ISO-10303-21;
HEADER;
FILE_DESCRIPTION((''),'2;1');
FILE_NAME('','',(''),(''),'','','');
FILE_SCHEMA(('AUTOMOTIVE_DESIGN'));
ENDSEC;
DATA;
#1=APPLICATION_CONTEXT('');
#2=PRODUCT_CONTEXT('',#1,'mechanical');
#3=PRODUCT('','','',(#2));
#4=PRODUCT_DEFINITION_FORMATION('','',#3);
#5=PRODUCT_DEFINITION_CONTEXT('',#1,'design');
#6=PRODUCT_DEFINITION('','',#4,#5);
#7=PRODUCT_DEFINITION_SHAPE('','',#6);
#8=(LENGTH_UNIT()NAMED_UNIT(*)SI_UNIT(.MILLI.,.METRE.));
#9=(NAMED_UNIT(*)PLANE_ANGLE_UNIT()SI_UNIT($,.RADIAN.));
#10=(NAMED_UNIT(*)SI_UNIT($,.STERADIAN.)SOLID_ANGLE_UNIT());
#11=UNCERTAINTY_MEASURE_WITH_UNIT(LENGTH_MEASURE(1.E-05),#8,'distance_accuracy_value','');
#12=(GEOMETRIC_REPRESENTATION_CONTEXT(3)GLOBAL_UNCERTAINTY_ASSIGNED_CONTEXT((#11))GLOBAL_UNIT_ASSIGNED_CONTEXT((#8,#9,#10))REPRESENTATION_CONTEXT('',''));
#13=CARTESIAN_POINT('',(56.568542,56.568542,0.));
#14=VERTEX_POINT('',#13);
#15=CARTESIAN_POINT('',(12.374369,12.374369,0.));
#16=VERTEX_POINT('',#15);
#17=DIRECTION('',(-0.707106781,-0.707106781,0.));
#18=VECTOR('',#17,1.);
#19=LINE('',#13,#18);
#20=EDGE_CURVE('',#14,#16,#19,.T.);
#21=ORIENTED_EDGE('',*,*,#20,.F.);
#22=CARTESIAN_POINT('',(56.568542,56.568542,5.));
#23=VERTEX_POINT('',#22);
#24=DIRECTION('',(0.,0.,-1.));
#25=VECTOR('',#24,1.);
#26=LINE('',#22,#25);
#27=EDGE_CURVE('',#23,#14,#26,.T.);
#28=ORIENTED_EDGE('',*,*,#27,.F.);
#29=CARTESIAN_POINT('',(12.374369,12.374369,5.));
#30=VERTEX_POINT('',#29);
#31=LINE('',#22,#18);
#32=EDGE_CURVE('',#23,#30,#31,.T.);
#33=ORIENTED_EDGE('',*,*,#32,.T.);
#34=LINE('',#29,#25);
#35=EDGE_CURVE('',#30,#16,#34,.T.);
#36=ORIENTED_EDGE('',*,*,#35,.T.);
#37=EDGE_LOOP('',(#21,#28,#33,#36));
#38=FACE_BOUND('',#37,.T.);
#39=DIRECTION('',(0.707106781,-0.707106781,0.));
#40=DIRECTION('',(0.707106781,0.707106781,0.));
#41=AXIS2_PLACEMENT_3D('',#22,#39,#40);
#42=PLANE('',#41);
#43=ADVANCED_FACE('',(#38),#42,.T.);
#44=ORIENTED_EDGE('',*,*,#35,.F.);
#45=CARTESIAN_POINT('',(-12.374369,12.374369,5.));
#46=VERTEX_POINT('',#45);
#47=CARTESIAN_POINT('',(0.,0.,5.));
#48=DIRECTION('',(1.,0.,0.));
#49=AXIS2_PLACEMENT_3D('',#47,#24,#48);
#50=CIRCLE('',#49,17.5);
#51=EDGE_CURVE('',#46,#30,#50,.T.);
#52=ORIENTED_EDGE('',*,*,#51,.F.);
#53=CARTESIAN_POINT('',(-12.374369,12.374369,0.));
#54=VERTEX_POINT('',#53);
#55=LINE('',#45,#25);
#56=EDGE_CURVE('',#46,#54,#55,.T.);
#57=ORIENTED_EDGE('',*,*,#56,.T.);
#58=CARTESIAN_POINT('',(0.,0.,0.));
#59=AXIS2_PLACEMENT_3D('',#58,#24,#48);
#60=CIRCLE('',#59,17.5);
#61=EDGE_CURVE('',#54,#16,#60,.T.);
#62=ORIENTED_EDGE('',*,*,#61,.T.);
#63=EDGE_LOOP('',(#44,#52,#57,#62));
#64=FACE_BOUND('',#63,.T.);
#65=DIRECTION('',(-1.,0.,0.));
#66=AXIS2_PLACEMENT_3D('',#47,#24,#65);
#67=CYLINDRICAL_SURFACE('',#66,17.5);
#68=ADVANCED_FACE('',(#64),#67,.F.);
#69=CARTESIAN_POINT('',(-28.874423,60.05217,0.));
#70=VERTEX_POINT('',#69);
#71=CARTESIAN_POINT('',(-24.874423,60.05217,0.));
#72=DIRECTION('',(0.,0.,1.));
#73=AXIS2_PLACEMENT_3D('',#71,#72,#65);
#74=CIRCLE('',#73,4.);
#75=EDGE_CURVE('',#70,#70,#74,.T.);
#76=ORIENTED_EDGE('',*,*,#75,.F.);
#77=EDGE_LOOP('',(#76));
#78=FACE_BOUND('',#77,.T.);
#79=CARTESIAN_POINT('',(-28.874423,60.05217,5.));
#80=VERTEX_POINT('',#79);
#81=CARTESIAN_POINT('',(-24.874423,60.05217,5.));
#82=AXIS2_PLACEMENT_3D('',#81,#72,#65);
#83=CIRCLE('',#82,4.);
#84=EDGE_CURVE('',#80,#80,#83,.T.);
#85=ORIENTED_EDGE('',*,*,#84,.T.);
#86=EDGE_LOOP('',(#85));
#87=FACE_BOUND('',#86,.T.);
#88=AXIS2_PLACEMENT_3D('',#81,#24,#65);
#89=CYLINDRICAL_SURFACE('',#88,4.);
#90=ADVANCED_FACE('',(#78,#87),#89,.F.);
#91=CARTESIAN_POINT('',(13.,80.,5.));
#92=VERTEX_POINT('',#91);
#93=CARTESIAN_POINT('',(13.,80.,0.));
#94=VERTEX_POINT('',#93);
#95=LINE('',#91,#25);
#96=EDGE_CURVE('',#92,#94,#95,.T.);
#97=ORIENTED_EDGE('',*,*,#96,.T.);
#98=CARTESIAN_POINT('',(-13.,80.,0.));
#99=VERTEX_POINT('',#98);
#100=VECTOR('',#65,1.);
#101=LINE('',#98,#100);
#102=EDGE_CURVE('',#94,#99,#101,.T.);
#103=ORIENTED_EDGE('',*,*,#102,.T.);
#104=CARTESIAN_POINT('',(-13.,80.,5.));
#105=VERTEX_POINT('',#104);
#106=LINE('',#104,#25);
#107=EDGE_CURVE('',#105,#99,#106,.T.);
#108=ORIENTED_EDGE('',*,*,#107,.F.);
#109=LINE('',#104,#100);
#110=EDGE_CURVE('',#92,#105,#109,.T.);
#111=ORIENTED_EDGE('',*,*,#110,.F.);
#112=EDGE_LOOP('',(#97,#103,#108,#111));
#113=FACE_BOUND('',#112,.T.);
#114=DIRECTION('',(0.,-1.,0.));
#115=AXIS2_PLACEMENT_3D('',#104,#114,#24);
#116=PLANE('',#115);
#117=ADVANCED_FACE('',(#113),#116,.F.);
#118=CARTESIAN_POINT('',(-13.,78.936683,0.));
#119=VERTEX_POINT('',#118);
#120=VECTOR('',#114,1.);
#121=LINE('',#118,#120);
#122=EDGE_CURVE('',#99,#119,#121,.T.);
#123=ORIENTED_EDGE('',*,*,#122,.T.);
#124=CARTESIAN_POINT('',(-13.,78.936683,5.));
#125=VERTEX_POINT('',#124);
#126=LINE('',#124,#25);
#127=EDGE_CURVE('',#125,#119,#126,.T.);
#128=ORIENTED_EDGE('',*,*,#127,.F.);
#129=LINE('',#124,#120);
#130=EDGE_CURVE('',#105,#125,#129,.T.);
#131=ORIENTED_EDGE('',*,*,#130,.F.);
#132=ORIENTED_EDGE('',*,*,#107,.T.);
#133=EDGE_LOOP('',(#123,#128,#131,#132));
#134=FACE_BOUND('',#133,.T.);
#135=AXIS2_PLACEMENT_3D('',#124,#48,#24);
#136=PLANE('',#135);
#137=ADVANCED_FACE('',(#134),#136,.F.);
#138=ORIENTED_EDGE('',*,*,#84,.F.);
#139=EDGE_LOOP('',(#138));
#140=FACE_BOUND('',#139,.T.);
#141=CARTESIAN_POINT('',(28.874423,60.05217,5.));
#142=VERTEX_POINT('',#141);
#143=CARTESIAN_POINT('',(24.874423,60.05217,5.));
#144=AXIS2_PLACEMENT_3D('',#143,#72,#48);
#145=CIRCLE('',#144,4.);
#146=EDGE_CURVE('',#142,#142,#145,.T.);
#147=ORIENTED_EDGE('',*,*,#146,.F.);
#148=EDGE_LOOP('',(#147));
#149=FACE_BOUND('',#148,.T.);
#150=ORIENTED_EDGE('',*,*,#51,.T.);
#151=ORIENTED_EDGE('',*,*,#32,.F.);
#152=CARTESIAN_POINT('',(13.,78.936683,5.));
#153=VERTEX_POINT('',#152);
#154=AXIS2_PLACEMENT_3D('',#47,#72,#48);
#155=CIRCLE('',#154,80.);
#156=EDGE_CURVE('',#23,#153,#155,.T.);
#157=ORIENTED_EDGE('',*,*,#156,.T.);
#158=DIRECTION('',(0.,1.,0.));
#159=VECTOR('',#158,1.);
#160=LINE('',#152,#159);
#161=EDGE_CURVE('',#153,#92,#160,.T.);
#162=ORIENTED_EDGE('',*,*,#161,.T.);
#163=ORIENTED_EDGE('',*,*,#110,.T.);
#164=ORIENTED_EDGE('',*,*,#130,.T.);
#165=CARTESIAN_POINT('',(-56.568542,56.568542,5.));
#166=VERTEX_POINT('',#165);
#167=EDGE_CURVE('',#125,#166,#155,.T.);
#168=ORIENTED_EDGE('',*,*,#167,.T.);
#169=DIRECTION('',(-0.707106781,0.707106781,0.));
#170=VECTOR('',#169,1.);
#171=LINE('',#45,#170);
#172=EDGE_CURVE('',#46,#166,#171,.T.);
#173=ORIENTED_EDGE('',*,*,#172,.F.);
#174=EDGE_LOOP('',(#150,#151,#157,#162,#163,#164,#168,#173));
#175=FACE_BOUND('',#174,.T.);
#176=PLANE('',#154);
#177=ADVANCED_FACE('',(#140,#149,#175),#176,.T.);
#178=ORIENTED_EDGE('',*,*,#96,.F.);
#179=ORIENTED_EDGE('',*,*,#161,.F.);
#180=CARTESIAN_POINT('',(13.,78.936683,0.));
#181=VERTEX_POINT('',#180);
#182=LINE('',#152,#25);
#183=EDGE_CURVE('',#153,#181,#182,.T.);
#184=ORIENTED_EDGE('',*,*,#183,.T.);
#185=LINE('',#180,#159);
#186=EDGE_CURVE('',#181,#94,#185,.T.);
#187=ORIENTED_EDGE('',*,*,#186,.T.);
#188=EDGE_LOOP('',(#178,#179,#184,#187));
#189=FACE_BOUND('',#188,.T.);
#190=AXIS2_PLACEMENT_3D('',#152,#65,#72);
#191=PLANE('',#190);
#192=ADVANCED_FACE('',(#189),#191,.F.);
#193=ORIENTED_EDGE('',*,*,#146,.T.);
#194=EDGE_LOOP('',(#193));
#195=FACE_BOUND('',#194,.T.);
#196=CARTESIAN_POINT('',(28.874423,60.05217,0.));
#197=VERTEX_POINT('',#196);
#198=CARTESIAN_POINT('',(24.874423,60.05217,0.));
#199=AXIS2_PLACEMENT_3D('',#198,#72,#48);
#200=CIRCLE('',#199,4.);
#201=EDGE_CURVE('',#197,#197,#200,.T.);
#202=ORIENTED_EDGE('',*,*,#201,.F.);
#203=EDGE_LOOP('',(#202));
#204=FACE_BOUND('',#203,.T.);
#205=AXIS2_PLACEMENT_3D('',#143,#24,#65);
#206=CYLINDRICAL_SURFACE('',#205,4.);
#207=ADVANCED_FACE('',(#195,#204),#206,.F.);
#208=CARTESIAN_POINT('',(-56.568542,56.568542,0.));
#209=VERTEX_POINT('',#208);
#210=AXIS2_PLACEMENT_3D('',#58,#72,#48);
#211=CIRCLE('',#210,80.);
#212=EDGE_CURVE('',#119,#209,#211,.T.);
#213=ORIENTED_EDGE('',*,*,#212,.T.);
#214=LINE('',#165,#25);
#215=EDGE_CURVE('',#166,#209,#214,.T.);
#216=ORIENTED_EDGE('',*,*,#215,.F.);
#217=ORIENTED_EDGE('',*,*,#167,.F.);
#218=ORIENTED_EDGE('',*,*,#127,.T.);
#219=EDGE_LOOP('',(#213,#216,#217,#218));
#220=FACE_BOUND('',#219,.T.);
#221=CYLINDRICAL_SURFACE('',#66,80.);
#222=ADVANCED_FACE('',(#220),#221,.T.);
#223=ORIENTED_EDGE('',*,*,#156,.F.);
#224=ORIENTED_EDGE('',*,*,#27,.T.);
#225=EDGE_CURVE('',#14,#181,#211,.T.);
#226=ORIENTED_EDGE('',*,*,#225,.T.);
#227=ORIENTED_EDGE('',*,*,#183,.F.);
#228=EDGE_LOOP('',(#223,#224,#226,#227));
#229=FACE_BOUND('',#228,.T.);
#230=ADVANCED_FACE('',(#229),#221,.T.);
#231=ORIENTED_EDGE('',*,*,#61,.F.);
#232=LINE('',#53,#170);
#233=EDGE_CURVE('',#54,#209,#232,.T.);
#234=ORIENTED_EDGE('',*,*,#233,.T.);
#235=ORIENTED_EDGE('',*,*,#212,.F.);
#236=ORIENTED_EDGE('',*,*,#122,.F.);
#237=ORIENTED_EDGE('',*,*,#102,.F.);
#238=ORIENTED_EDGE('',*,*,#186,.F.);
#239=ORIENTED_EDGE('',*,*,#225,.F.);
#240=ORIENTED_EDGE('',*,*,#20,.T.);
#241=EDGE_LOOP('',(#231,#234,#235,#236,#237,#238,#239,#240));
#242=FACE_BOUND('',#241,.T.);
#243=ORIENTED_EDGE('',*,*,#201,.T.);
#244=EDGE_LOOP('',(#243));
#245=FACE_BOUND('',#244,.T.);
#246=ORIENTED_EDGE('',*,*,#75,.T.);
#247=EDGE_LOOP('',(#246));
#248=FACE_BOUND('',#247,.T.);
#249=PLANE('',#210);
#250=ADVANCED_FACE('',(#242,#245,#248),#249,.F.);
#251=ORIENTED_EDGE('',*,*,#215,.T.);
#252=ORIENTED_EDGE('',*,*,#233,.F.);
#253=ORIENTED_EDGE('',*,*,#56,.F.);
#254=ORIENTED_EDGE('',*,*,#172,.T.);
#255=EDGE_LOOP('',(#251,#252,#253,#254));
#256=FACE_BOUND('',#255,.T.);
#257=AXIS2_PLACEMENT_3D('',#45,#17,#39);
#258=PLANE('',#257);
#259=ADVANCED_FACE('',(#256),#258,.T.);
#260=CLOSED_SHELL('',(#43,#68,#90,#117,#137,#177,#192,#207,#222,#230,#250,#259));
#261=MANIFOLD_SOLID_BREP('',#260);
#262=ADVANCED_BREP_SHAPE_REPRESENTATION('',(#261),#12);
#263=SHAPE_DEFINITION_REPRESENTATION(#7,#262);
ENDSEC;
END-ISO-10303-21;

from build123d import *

# Parameters (mm, degrees)
SKETCH1_R           = 4
BOSS_EXTRUDE1_DEPTH = 5
CUT_EXTRUDE1_DEPTH  = 114.247516529
SKETCH3_W           = 26
SKETCH3_H           = 1.063316513
BOSS_EXTRUDE2_DEPTH = 5


with BuildPart() as part:
    # Sketch1 → Boss-Extrude1 (new body)
    with BuildSketch(Plane.XY):
        with BuildLine():
            Line((-80, 0), (-17.5, 0))
            ThreePointArc((-17.5, 0), (0, 17.5), (17.5, 0))
            Line((17.5, 0), (80, 0))
            ThreePointArc((80, 0), (0, 80), (-80, 0))
        make_face()
        with Locations((24.874423104, 60.052169613)):
            Circle(SKETCH1_R, mode=Mode.SUBTRACT)
        with Locations((60.052169613, 24.874423104)):
            Circle(SKETCH1_R, mode=Mode.SUBTRACT)
        with Locations((-60.052169613, 24.874423104)):
            Circle(SKETCH1_R, mode=Mode.SUBTRACT)
        with Locations(Location((-24.874423104, 60.052169613, 0), (0, 0, 180))):
            Circle(SKETCH1_R, mode=Mode.SUBTRACT)
    extrude(amount=BOSS_EXTRUDE1_DEPTH)

    # Sketch2 → Cut-Extrude1 (cut, through all)
    with BuildSketch(Plane.XY):
        with BuildLine():
            Line((-12.374368671, 12.374368671), (-56.568542495, 56.568542495))
            Line((-56.568542495, 56.568542495), (-80, 56.568542495))
            Line((-80, 56.568542495), (-80, 0))
            Line((-80, 0), (-17.5, 0))
            ThreePointArc((-17.5, 0), (-16.167891819, 6.696960066), (-12.374368671, 12.374368671))
        make_face()
        with BuildLine():
            Line((80, 0), (80, 56.568542495))
            Line((80, 56.568542495), (56.568542495, 56.568542495))
            Line((56.568542495, 56.568542495), (12.374368671, 12.374368671))
            ThreePointArc((12.374368671, 12.374368671), (16.167891819, 6.696960066), (17.5, 0))
            Line((17.5, 0), (80, 0))
        make_face()
    extrude(amount=CUT_EXTRUDE1_DEPTH, mode=Mode.SUBTRACT)

    # Sketch3 → Boss-Extrude2 (add)
    with BuildSketch(Plane.XY):
        with Locations((0, 79.468341744)):
            Rectangle(SKETCH3_W, SKETCH3_H)
    extrude(amount=BOSS_EXTRUDE2_DEPTH)


solid = part.part
